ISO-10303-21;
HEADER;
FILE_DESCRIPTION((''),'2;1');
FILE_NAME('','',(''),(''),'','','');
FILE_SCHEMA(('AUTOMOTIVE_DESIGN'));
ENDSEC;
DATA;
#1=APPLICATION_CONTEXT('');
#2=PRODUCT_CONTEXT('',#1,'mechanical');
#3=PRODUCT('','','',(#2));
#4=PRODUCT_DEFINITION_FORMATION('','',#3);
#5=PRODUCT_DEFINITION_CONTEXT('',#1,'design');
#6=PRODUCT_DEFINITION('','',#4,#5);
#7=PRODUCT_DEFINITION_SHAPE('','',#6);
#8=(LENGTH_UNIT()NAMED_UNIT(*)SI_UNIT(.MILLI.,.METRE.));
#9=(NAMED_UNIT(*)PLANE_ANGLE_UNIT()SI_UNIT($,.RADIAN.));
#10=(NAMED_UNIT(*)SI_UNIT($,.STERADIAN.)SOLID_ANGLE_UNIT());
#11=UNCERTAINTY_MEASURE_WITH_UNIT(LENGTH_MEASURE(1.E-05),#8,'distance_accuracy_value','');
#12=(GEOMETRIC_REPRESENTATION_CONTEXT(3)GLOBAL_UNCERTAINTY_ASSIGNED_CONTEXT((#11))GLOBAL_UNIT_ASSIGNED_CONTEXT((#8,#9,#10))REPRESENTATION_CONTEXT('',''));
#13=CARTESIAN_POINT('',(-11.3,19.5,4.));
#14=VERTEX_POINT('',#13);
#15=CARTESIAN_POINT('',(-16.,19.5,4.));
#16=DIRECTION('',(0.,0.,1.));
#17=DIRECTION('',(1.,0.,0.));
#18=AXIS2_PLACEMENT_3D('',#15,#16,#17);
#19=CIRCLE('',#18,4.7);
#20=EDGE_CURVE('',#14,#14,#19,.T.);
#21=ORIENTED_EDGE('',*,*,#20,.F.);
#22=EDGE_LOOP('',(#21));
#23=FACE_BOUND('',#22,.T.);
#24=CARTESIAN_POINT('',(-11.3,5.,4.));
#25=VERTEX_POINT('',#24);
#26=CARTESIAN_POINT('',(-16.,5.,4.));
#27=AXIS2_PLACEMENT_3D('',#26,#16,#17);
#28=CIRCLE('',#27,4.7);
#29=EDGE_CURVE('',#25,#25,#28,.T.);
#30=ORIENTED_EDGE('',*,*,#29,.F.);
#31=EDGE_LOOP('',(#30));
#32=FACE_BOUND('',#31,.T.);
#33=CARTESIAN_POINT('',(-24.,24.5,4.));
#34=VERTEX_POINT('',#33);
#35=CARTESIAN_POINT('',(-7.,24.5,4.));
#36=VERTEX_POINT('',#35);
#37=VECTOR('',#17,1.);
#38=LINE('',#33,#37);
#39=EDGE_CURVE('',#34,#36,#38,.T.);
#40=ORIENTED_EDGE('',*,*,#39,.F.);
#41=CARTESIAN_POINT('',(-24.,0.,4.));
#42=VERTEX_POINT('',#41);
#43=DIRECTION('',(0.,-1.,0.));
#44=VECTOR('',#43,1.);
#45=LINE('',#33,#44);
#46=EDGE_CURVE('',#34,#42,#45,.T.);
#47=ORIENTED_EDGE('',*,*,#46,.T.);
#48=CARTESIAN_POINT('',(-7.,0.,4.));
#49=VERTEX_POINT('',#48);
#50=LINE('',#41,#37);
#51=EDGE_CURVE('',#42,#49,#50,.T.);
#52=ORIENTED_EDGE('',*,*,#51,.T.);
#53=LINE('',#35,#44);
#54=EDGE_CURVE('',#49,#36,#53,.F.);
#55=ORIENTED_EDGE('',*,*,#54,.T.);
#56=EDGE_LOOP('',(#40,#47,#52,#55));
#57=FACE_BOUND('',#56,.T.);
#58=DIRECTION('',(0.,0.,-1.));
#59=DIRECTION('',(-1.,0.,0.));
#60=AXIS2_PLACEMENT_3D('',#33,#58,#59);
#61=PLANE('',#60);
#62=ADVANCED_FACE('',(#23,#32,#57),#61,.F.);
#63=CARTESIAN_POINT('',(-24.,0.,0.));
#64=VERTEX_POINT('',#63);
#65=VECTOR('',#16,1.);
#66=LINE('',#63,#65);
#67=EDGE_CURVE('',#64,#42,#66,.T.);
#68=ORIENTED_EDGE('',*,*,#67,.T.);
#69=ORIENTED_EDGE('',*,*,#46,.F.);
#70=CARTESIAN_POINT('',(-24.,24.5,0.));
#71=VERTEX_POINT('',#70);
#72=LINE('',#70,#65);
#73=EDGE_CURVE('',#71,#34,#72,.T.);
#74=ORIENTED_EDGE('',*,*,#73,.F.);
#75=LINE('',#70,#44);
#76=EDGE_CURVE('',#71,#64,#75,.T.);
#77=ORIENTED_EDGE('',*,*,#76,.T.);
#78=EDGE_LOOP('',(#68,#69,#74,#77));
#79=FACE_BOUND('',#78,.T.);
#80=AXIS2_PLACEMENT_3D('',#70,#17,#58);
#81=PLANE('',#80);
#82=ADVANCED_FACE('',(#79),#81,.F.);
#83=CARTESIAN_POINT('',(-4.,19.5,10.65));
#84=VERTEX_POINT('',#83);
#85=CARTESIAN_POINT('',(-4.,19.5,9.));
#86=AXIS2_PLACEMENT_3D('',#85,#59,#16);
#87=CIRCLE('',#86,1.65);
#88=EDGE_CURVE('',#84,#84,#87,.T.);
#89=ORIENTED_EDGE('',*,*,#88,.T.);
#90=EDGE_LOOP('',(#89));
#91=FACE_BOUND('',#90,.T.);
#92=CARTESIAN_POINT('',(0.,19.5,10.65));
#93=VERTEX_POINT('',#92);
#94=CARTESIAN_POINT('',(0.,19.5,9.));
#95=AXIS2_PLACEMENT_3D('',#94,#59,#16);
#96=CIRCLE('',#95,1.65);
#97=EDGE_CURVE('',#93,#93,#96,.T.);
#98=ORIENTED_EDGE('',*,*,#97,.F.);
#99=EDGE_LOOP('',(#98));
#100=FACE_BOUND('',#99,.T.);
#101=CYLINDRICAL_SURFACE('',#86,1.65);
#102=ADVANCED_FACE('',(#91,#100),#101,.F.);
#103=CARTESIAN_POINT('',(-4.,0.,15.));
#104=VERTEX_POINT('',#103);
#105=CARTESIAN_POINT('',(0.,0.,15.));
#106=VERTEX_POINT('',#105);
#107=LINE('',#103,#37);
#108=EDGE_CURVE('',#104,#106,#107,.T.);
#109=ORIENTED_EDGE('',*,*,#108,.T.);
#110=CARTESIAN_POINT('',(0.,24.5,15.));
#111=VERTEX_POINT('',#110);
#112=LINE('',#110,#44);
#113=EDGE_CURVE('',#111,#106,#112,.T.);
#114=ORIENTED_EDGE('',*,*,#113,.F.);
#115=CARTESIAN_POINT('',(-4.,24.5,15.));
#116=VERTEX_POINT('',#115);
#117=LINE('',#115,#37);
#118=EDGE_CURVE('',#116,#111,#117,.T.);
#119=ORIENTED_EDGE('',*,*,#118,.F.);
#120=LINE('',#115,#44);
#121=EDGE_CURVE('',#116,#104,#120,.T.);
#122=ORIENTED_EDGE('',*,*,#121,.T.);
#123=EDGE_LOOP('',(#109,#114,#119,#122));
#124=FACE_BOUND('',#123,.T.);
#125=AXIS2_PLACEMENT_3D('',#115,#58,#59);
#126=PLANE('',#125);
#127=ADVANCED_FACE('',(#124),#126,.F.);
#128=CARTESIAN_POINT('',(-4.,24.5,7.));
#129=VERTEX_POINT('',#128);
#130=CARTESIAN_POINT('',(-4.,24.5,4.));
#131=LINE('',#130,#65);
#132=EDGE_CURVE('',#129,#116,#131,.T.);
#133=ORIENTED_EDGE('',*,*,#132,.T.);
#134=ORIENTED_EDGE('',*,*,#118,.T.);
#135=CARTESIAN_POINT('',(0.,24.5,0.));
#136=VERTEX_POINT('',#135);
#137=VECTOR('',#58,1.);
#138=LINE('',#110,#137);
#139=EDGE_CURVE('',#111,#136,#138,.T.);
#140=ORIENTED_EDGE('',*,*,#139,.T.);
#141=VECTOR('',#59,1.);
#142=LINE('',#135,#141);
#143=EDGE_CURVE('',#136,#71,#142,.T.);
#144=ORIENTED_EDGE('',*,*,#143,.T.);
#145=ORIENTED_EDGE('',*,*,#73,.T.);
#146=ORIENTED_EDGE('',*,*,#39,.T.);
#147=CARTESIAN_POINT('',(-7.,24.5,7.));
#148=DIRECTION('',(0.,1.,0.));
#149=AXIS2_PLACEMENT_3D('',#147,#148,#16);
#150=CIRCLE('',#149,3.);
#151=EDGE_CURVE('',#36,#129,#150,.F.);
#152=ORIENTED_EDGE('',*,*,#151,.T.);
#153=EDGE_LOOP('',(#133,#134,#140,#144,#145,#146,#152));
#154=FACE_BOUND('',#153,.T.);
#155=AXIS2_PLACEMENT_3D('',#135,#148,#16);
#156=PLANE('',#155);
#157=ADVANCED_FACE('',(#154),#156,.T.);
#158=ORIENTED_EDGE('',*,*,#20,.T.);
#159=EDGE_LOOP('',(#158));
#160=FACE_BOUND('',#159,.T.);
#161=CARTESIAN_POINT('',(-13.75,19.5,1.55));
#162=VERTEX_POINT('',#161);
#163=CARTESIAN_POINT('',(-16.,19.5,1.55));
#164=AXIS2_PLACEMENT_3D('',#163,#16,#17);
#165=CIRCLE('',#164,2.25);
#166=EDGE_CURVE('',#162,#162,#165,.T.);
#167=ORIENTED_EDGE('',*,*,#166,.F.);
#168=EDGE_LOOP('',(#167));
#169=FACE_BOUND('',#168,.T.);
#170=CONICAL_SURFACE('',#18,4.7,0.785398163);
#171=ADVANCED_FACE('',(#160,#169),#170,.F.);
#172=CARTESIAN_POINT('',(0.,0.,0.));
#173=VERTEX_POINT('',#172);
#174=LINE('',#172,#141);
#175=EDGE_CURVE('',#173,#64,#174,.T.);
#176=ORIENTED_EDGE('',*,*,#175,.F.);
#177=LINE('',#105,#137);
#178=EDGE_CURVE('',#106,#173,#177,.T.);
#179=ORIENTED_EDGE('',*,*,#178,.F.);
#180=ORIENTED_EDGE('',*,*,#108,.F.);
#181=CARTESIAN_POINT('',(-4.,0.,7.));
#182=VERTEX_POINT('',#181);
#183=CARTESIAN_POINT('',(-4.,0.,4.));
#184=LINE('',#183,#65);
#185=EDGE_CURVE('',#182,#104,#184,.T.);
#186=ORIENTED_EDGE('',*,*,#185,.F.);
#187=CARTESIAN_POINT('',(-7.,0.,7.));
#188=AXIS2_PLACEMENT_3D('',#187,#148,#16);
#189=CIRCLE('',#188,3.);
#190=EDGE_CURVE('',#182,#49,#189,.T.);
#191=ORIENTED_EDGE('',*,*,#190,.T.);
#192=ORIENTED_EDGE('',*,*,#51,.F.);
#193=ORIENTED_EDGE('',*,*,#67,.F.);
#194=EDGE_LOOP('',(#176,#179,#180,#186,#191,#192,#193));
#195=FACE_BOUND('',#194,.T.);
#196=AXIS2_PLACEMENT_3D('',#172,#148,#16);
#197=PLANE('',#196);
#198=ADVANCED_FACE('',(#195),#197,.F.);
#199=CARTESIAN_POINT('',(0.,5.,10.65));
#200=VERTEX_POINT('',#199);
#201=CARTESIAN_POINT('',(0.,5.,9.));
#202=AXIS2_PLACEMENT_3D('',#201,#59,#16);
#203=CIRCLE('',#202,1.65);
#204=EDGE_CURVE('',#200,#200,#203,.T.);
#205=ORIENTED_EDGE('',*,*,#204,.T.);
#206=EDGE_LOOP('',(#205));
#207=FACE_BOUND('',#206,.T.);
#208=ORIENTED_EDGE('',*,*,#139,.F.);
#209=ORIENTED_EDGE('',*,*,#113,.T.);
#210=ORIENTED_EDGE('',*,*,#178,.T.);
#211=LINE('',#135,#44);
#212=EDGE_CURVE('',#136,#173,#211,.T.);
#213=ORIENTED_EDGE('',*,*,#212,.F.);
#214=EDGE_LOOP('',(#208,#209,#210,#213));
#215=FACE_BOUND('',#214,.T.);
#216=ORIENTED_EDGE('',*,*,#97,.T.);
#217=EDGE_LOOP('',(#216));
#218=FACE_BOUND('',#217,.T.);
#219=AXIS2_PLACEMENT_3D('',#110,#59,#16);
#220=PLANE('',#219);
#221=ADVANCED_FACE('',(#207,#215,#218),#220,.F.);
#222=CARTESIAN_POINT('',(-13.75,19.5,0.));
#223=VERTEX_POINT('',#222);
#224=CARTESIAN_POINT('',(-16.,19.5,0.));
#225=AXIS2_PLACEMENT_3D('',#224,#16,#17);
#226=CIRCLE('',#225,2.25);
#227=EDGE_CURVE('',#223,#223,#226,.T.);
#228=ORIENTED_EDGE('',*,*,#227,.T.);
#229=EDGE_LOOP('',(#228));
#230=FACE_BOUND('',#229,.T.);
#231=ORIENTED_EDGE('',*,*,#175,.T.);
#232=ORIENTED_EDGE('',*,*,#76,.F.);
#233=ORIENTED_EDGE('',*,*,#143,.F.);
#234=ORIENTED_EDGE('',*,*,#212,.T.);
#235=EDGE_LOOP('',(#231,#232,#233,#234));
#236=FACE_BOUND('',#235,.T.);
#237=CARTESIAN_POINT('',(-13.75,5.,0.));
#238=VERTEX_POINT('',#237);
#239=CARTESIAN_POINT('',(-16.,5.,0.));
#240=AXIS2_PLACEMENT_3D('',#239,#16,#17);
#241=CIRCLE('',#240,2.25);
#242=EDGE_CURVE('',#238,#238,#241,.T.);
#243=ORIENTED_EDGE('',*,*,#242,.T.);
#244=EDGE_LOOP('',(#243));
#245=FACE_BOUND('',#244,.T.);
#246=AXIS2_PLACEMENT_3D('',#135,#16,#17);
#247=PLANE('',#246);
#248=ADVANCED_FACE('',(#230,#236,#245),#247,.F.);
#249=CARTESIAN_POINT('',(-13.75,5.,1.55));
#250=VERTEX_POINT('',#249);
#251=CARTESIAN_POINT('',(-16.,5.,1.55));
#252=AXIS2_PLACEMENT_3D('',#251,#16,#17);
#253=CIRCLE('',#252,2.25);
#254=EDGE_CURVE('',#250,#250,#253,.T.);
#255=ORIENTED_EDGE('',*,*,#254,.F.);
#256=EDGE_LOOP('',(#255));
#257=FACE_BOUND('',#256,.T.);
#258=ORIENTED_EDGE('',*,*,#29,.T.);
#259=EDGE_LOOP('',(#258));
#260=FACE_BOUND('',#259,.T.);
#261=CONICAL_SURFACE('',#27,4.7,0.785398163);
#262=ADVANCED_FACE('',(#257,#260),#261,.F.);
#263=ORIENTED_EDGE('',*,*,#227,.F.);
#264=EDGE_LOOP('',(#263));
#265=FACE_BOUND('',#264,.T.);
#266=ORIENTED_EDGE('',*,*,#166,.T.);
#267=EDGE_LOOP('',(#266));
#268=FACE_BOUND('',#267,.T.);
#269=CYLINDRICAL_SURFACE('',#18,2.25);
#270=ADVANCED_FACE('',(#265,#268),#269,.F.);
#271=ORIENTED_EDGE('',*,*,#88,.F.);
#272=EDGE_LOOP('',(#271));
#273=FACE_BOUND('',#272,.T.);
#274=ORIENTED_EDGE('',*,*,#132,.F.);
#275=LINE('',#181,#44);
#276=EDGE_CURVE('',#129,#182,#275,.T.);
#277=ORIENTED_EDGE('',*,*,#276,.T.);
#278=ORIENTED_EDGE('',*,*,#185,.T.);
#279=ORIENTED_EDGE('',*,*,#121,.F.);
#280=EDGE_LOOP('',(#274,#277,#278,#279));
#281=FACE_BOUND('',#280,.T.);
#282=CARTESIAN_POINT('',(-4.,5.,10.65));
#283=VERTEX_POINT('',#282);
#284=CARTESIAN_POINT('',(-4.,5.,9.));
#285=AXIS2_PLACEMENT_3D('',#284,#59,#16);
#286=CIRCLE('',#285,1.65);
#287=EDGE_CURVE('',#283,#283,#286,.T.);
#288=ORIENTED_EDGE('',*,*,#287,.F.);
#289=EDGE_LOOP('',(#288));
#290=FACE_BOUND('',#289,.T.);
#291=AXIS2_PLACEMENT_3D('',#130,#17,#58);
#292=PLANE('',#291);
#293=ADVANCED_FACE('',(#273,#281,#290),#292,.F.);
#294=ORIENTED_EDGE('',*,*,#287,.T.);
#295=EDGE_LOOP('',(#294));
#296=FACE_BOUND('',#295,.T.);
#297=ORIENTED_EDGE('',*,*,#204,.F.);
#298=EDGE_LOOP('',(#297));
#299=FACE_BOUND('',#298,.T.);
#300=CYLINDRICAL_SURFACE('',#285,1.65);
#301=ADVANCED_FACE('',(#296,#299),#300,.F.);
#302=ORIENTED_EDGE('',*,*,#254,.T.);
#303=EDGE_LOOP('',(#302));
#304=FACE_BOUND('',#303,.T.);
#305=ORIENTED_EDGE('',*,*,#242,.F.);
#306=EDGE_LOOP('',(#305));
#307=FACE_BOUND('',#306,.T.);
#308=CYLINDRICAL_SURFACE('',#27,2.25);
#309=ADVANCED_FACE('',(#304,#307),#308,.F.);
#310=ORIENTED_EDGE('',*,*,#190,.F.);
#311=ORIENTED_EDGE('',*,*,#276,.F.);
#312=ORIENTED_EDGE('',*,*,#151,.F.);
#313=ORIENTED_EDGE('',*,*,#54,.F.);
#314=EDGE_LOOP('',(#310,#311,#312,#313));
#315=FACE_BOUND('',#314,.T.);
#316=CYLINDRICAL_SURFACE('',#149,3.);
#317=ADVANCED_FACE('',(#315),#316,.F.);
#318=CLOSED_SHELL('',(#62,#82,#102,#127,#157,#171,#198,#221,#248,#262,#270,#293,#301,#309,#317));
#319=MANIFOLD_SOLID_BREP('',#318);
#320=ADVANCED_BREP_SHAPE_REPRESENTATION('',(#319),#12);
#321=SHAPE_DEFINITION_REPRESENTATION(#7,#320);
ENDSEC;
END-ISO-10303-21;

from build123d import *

# Parameters (mm, degrees)
BOSS_EXTRUDE1_DEPTH                            = 24.5
CSK_FOR_M4_FLAT_HEAD_MACHINE_SCREW1_AT_2_COUNT = 2
CSK_FOR_M4_FLAT_HEAD_MACHINE_SCREW1_AT_2_PITCH = 14.5
TAP_DRILL_FOR_M4X0_7_TAP1_D                    = 3.3
FILLET1_R                                      = 3


with BuildPart() as part:
    # Sketch2 → Boss-Extrude1 (new body)
    with BuildSketch(Plane(origin=(0, 0, 0), x_dir=(1, 0, 0), z_dir=(0, 1, 0))):
        Polygon((0, 0), (-24, 0), (-24, -4), (-4, -4), (-4, -15), (0, -15), align=None)
    extrude(amount=BOSS_EXTRUDE1_DEPTH)

    # Sketch5 → CSK for M4 Flat Head Machine Screw1 (revolve, cut)
    with BuildSketch(Plane(origin=(-16, 5, 4), x_dir=(0, -1, 0), z_dir=(1, 0, 0))):
        Polygon((0, 0), (0, 4), (2.25, 4), (2.25, 2.45), (4.7, 0), align=None)
    csk_for_m4_flat_head_machine_screw1 = revolve(axis=Axis((-16, 5, 10.35), (0, 0, -1)), mode=Mode.SUBTRACT)

    # CSK for M4 Flat Head Machine Screw1 at 2: CSK for M4 Flat Head Machine Screw1 ×2
    with Locations(*[(0, i * CSK_FOR_M4_FLAT_HEAD_MACHINE_SCREW1_AT_2_PITCH, 0) for i in range(1, CSK_FOR_M4_FLAT_HEAD_MACHINE_SCREW1_AT_2_COUNT)]):
        add(csk_for_m4_flat_head_machine_screw1, mode=Mode.SUBTRACT)

    # Tap Drill for M4x0.7 Tap1 (through all)
    with Locations(Plane.ZY.offset(4)):
        with Locations((9, 5), (9, 19.5)):
            Hole(TAP_DRILL_FOR_M4X0_7_TAP1_D / 2)

    # Fillet1
    fillet1_edges = [part.edges().sort_by_distance(p)[0] for p in [
        (-4, 12.25, 4),
    ]]
    fillet(fillet1_edges, radius=FILLET1_R)


solid = part.part
